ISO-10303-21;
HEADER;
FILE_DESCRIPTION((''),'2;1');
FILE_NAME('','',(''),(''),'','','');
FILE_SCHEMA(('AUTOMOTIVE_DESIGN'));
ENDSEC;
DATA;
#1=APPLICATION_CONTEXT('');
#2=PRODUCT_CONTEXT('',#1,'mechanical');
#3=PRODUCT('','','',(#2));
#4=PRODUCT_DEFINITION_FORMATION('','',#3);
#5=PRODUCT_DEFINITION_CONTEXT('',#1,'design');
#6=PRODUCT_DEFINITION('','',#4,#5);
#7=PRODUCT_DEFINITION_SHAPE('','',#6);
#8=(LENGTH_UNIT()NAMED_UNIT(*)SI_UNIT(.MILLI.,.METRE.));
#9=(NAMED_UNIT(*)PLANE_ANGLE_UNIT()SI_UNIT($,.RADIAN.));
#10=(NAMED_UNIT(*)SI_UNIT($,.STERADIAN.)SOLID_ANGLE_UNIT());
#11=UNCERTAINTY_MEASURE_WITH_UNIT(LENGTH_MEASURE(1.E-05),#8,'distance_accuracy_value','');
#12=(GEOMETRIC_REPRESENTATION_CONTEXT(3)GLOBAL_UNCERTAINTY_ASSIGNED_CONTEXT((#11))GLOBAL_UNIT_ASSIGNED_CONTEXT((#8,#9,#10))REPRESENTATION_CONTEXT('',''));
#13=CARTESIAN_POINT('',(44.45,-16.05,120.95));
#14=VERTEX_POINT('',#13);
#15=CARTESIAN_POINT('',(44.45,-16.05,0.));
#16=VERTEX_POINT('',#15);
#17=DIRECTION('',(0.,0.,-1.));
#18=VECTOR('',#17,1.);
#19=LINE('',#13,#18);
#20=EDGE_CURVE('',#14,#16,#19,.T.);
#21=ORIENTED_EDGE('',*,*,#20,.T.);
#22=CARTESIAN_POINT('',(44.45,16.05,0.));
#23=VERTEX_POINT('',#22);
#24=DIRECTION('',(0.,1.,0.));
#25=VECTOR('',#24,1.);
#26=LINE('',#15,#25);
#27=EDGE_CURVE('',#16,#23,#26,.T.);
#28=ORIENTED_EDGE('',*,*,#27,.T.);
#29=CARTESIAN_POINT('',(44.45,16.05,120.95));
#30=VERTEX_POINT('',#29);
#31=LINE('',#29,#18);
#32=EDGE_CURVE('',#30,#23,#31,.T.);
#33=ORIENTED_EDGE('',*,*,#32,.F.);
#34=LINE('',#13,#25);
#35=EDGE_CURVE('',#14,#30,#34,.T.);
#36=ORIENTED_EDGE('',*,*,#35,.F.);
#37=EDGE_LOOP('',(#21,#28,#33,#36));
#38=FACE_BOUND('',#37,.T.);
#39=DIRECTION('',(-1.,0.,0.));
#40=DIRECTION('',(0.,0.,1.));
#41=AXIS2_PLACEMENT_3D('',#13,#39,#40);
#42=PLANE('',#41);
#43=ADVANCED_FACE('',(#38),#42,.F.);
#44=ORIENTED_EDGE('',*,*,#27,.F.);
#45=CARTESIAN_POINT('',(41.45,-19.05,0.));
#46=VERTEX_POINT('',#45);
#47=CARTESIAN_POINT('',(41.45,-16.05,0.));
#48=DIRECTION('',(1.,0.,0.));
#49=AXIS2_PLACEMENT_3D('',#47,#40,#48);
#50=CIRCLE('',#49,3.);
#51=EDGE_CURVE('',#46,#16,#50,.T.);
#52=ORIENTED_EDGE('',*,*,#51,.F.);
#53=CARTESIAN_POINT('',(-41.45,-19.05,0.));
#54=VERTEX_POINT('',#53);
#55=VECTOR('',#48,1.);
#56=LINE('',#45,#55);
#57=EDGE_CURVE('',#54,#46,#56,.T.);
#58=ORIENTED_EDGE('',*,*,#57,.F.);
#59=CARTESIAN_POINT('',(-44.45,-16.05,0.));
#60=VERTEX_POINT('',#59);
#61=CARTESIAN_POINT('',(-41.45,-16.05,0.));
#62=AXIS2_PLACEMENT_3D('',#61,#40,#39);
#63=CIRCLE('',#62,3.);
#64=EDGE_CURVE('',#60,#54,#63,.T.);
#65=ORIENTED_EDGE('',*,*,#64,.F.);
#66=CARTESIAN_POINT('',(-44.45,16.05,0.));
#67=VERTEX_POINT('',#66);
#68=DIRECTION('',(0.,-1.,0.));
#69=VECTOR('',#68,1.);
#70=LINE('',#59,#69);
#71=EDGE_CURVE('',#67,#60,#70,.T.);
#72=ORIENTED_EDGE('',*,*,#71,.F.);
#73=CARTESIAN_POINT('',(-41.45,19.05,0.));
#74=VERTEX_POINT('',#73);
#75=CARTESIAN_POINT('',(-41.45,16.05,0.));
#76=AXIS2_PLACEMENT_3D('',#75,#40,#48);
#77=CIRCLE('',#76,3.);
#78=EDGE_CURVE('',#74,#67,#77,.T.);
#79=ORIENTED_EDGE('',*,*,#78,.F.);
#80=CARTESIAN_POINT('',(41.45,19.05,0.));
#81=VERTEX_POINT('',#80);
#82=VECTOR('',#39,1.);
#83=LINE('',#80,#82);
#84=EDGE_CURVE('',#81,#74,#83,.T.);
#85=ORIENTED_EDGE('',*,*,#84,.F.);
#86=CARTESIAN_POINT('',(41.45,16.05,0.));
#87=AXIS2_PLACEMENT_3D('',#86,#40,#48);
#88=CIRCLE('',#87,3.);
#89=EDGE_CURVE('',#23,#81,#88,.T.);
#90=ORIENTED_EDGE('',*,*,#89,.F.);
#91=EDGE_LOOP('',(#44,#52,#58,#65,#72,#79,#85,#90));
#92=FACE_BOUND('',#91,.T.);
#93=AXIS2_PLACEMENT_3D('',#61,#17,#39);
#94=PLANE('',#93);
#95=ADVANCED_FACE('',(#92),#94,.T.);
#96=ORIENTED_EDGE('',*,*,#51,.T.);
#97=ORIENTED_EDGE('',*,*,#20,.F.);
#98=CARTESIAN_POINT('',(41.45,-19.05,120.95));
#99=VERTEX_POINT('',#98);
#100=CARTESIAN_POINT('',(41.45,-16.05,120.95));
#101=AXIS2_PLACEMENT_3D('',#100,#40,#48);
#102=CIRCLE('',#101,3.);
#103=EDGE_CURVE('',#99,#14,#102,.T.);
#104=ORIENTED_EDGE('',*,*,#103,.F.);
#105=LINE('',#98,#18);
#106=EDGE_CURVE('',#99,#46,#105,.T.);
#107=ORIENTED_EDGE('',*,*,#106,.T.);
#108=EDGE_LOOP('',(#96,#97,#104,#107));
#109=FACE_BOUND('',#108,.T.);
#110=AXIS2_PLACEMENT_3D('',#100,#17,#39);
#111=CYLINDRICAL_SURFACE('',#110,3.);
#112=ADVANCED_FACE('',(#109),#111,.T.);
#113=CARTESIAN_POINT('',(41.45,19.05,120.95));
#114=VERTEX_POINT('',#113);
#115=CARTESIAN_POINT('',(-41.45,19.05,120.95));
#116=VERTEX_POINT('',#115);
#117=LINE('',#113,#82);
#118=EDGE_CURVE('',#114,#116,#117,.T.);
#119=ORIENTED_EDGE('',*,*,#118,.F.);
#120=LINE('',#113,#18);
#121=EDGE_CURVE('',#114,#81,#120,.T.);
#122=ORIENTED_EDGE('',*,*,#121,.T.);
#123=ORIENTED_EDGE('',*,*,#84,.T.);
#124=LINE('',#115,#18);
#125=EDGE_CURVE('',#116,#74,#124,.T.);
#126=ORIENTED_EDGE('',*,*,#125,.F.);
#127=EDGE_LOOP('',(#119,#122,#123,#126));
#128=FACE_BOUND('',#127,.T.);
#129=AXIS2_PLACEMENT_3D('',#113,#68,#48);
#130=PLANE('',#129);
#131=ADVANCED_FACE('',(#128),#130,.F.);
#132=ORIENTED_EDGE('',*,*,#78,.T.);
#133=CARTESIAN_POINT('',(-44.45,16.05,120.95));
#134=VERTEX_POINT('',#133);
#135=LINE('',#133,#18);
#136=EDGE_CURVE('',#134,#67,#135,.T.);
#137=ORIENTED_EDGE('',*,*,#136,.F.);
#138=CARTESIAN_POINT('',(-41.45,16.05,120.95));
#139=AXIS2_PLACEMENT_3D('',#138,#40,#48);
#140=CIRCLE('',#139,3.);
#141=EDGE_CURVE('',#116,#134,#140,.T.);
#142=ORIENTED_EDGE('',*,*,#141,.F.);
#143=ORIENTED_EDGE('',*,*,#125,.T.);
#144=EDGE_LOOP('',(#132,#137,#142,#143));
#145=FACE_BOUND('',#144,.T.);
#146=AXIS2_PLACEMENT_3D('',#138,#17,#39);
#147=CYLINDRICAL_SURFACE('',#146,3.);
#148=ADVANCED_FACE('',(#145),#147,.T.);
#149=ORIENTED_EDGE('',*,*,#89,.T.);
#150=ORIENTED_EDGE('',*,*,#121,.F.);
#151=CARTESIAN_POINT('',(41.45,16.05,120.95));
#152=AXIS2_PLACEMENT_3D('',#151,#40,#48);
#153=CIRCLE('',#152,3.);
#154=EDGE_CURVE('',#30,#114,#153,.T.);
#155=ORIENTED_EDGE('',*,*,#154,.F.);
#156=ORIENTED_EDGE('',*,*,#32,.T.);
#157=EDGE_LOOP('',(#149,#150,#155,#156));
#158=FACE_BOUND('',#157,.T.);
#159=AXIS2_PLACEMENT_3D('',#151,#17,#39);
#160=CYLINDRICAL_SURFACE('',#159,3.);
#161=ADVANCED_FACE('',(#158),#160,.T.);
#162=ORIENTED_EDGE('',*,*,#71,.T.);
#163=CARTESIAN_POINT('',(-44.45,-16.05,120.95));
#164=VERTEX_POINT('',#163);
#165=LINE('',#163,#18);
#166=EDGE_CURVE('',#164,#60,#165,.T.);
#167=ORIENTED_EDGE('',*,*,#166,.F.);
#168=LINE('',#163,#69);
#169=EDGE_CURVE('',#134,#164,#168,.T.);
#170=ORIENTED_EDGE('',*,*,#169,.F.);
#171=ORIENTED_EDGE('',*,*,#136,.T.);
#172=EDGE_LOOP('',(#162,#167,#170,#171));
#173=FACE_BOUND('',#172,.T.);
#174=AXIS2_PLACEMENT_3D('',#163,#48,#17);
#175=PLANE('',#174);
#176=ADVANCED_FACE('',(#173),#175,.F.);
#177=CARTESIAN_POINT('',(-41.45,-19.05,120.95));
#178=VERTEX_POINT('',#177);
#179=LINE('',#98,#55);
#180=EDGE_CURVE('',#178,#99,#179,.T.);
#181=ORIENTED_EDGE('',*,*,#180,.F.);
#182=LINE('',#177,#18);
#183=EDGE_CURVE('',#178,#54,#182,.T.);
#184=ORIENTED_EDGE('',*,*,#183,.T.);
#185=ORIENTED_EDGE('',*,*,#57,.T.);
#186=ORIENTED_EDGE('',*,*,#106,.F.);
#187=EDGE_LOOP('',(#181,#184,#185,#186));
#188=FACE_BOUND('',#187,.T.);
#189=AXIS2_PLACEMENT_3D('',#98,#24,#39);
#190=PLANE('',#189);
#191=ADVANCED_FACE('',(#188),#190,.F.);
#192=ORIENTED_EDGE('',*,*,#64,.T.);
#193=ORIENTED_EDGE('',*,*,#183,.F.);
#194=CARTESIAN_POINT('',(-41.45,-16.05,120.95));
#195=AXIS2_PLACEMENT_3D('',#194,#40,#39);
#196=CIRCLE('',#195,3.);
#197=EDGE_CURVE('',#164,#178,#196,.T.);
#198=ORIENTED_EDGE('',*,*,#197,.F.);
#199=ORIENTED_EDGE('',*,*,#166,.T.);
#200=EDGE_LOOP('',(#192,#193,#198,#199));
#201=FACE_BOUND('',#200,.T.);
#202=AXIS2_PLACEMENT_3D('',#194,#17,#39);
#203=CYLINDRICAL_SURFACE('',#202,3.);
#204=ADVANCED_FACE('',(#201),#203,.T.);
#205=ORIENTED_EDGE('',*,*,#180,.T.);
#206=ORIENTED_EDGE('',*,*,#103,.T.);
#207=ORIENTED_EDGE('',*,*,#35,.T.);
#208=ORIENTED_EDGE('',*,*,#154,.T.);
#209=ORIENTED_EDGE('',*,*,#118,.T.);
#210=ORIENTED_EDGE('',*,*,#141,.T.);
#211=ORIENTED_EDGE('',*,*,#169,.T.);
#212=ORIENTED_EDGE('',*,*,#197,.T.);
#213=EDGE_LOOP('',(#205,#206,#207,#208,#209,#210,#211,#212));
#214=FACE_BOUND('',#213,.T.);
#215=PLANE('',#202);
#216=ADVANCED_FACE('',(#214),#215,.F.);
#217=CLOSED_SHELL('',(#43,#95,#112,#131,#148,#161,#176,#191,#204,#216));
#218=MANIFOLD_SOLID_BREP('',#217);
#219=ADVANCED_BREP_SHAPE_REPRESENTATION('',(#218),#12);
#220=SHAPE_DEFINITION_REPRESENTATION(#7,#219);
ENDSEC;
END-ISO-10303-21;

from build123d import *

# Parameters (mm, degrees)
BOSS_EXTRUDE1_DEPTH = 120.95


with BuildPart() as part:
    # Sketch1 → Boss-Extrude1 (new body)
    with BuildSketch(Plane.XY):
        with BuildLine():
            Line((41.45, -19.05), (-41.45, -19.05))
            ThreePointArc((-41.45, -19.05), (-43.571320344, -18.171320344), (-44.45, -16.05))
            Line((-44.45, -16.05), (-44.45, 16.05))
            ThreePointArc((-44.45, 16.05), (-43.571320344, 18.171320344), (-41.45, 19.05))
            Line((-41.45, 19.05), (41.45, 19.05))
            ThreePointArc((41.45, 19.05), (43.571320344, 18.171320344), (44.45, 16.05))
            Line((44.45, 16.05), (44.45, -16.05))
            ThreePointArc((44.45, -16.05), (43.571320344, -18.171320344), (41.45, -19.05))
        make_face()
    extrude(amount=BOSS_EXTRUDE1_DEPTH)


solid = part.part
